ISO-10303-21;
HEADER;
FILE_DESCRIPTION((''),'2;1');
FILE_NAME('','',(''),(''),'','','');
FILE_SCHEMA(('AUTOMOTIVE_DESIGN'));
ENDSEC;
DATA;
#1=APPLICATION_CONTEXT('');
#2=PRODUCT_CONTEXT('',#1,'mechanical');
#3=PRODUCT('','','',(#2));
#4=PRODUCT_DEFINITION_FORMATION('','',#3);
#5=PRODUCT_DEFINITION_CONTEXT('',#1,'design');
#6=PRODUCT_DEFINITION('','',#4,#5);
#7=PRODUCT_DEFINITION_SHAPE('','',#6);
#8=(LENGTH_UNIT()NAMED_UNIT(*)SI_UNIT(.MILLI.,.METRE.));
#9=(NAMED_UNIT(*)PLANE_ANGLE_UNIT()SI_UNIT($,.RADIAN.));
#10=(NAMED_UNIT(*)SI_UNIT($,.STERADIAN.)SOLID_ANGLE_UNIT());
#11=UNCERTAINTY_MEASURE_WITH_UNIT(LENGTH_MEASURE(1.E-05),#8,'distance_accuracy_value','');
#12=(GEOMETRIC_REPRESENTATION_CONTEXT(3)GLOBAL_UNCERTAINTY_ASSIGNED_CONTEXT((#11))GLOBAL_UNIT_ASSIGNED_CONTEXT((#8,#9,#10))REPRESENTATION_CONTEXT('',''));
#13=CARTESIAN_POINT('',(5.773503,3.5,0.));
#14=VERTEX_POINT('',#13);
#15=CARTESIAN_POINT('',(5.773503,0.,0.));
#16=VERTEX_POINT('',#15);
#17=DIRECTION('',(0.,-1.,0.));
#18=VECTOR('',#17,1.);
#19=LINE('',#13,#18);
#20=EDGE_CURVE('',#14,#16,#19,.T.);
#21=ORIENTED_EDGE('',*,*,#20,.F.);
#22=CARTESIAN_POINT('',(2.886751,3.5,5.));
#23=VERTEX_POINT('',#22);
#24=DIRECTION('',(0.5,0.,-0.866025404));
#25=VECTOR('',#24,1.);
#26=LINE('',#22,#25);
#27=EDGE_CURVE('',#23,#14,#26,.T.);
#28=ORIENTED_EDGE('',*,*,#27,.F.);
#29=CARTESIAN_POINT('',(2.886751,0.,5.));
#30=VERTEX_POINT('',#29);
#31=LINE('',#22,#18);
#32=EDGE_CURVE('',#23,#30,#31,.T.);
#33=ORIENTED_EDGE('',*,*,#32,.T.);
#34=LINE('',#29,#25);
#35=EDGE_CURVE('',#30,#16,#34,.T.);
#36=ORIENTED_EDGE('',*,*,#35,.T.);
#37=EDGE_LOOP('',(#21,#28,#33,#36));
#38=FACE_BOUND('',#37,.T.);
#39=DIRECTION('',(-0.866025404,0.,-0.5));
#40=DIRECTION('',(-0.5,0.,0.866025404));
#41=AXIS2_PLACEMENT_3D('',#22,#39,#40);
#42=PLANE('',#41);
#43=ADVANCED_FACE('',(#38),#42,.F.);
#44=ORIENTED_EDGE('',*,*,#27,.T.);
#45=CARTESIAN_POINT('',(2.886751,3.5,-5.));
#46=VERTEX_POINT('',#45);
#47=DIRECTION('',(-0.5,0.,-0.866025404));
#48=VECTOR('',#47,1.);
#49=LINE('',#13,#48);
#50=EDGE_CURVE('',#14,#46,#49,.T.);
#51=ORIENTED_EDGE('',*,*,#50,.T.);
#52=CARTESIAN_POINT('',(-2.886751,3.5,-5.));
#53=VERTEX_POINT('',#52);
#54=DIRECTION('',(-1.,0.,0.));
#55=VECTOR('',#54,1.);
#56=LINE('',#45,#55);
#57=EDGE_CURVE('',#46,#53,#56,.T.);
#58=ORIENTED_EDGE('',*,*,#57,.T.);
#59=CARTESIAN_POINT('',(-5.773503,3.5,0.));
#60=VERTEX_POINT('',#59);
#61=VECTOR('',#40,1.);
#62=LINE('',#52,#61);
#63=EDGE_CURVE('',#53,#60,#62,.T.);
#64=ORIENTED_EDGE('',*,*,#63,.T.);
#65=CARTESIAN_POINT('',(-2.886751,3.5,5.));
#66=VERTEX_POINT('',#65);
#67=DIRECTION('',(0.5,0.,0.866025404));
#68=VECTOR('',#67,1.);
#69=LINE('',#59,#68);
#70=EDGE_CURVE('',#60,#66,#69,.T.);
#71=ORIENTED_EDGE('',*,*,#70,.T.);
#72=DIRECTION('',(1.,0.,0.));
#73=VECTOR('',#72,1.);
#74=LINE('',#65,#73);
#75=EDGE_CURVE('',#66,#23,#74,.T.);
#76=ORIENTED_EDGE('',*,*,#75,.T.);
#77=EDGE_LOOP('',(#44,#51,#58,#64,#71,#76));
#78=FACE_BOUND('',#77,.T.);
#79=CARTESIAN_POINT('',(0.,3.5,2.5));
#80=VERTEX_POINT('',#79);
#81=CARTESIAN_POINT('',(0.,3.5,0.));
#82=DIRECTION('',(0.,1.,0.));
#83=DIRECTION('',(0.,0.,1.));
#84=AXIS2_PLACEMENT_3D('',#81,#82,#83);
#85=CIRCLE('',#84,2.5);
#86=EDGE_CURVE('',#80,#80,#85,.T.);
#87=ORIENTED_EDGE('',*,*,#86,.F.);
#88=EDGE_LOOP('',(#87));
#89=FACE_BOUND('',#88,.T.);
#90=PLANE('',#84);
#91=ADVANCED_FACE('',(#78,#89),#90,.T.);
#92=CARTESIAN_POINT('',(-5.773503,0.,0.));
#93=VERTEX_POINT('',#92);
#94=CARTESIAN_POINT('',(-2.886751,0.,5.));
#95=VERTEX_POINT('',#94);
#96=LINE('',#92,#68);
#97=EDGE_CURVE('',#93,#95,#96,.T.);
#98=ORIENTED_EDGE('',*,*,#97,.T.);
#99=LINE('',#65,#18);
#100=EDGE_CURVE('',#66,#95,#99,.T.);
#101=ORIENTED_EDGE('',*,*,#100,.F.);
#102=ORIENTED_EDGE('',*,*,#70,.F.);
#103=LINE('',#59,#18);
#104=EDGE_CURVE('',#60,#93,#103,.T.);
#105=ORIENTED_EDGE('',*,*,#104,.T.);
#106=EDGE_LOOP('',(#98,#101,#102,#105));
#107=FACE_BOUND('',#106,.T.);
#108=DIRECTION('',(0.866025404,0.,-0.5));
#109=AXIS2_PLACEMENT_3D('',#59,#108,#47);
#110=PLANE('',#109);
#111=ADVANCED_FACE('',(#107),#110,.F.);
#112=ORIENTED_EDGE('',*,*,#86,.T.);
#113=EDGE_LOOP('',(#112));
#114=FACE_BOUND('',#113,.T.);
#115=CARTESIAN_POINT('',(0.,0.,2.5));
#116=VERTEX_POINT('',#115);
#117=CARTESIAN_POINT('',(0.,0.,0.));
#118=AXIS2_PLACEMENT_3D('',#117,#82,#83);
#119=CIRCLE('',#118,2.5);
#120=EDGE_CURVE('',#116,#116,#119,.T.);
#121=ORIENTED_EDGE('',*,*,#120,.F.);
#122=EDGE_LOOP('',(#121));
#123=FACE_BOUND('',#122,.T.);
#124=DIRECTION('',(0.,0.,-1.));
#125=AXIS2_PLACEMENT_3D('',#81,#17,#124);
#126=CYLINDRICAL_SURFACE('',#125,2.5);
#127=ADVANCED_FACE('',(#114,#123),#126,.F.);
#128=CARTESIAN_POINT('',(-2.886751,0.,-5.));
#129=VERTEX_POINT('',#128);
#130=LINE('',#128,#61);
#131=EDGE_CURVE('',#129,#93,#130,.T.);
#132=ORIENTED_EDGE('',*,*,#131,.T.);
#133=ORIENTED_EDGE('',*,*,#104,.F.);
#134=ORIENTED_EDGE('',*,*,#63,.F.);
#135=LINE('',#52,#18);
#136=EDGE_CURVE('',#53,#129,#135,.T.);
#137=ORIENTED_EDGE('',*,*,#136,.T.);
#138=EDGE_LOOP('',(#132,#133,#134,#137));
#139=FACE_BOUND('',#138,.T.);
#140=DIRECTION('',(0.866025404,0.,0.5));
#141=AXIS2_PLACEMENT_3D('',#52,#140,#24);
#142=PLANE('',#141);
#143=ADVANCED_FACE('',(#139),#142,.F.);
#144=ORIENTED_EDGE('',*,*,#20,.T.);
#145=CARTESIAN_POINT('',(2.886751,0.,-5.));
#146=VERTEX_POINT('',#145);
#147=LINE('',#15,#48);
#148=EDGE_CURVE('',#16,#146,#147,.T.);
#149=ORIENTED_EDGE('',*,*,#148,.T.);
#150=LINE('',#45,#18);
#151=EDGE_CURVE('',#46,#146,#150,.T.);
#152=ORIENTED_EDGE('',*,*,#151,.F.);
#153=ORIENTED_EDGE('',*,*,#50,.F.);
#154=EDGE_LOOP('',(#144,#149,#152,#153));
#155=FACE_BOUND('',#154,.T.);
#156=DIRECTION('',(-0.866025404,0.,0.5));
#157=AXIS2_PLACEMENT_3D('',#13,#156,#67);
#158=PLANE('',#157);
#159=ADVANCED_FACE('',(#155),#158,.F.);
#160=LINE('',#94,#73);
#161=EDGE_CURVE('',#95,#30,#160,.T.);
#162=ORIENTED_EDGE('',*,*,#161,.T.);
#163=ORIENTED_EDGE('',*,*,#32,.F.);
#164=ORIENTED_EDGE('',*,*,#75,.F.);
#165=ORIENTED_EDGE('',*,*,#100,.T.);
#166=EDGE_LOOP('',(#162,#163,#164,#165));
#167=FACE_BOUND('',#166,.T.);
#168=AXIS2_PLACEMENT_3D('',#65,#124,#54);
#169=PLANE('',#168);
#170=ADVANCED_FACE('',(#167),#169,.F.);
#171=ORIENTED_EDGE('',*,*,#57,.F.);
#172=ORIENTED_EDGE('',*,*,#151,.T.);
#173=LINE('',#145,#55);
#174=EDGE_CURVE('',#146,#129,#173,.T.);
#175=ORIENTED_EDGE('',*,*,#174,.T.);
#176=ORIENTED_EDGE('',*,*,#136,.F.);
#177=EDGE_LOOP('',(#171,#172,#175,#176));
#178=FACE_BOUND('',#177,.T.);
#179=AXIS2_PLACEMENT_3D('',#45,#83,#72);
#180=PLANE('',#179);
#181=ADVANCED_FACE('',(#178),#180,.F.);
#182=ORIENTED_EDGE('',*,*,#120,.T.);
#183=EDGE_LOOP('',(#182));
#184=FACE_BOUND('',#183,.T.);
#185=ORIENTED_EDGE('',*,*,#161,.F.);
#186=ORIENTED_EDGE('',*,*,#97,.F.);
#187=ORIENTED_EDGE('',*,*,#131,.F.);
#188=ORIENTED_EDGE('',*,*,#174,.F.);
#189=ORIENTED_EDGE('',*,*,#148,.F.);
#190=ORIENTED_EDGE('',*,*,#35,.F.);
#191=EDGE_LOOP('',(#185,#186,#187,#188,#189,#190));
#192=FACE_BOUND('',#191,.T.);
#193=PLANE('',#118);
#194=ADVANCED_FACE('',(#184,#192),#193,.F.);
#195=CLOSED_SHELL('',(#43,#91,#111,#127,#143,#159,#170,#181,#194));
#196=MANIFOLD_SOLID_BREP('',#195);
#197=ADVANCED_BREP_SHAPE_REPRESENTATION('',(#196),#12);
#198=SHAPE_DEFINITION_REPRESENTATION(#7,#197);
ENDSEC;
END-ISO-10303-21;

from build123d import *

# Parameters (mm, degrees)
SKETCH1_R           = 2.5
BOSS_EXTRUDE1_DEPTH = 3.5


with BuildPart() as part:
    # Sketch1 → Boss-Extrude1 (new body)
    with BuildSketch(Plane(origin=(0, 0, 0), x_dir=(1, 0, 0), z_dir=(0, 1, 0))):
        Polygon((5.773502692, 0), (2.886751346, 5), (-2.886751346, 5), (-5.773502692, 0), (-2.886751346, -5), (2.886751346, -5), align=None)
        Circle(SKETCH1_R, mode=Mode.SUBTRACT)
    extrude(amount=BOSS_EXTRUDE1_DEPTH)


solid = part.part
